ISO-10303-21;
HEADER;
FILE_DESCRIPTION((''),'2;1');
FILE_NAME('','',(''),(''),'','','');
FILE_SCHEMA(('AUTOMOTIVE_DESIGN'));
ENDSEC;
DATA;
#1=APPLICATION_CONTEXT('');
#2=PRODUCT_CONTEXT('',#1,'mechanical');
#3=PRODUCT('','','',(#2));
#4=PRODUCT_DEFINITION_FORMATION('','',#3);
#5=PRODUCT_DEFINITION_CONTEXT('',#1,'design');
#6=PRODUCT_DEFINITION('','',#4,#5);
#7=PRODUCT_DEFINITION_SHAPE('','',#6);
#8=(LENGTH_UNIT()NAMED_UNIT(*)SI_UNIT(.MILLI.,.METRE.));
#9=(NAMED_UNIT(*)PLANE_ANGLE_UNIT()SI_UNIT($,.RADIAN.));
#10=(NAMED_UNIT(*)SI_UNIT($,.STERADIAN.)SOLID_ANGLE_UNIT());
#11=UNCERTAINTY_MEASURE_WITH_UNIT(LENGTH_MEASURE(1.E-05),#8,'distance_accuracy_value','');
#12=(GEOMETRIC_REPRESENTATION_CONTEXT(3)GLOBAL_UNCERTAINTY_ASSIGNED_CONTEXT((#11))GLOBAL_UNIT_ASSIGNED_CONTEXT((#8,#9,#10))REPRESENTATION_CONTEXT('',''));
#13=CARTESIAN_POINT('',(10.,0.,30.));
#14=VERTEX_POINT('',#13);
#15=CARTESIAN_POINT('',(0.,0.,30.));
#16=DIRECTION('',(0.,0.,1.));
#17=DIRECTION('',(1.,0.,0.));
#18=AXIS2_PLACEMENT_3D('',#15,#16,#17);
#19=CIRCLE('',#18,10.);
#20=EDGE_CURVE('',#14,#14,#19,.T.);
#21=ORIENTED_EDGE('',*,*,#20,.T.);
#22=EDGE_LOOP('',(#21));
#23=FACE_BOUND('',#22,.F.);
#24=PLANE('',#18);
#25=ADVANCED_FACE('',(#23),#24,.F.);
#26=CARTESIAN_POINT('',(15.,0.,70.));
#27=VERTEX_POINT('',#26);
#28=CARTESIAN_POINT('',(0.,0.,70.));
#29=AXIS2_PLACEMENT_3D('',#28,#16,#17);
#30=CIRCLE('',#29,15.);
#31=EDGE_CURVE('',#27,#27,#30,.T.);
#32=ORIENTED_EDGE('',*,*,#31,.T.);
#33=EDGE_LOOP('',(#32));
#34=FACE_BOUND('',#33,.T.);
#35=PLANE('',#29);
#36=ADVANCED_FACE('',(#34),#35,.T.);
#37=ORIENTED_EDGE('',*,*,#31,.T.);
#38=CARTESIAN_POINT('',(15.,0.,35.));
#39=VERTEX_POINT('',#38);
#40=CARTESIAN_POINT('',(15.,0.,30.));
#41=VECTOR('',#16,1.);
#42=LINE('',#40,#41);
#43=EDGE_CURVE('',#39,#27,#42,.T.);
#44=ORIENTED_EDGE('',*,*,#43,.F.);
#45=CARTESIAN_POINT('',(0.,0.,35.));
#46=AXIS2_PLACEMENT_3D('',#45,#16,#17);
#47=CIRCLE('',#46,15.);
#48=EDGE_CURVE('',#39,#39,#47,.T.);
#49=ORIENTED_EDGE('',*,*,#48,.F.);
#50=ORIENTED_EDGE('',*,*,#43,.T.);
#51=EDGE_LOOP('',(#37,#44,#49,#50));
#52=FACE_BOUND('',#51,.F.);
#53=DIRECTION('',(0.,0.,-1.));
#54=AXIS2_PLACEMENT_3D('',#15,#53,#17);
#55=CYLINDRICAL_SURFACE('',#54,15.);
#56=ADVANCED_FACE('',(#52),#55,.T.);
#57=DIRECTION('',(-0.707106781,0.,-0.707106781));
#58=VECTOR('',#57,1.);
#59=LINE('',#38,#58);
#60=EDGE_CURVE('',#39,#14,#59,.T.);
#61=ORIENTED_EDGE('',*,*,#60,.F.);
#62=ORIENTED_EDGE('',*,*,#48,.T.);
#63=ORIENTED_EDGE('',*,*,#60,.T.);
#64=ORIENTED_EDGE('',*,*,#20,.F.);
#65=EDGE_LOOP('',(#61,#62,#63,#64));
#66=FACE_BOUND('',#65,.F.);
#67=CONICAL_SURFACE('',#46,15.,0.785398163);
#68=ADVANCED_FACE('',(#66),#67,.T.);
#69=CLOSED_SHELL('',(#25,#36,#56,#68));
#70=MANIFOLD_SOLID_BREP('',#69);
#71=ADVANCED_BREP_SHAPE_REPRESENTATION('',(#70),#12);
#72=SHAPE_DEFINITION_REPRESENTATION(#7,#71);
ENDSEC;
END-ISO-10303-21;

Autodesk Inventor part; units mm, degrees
ref_plane "YZ Plane" through (0, 0, 0) normal (1, 0, 0) x (0, 1, 0)
ref_plane "XZ Plane" through (0, 0, 0) normal (0, 1, 0) x (-1, 0, 0)
ref_plane "XY Plane" through (0, 0, 0) normal (0, 0, 1) x (1, 0, 0)
ref_plane "Work Plane1" through (0, 0, 0) normal (0, 0, 1) x (1, 0, 0)
ref_plane "Work Plane2" through (-227.7883, 0, 30) normal (0, 0, 1) x (1, 0, 0)
sketch "Sketch2" plane through (0, 0, 30) normal (0, 0, 1) x (1, 0, 0)
  arc A0 (80, 65) -> (65, 80) centre (65, 65) ccw projected
  line L0 (80, 65) -> (80, -65) projected
  arc A1 (65, -80) -> (80, -65) centre (65, -65) ccw projected
  line L1 (65, -80) -> (-65, -80) projected
  arc A2 (-80, -65) -> (-65, -80) centre (-65, -65) ccw projected
  line L2 (-80, -65) -> (-80, 65) projected
  arc A3 (-65, 80) -> (-80, 65) centre (-65, 65) ccw projected
  line L3 (-65, 80) -> (65, 80) projected
  line L4 (-150, -150) -> (150, -150) projected
  line L5 (150, -150) -> (150, 150) projected
  line L6 (150, 150) -> (-150, 150) projected
  line L7 (-150, 150) -> (-150, -150) projected
  circle A4 centre (0, 0) radius 15
  circle A5 centre (-67, -107.5) radius 1.95 projected
  circle A6 centre (67, 107.5) radius 1.95 projected
  circle A7 centre (-67, 107.5) radius 1.95 projected
  circle A8 centre (67, -107.5) radius 1.95 projected
  dimension "d0" = 30
extrude "Extrusion1" add sketch "Sketch2" along normal blind 40 contours A4
chamfer "Chamfer1" distance 5 angle 45 1 edges at (-15, 0, 30)
properties part number "00_Microscope_Objective"
